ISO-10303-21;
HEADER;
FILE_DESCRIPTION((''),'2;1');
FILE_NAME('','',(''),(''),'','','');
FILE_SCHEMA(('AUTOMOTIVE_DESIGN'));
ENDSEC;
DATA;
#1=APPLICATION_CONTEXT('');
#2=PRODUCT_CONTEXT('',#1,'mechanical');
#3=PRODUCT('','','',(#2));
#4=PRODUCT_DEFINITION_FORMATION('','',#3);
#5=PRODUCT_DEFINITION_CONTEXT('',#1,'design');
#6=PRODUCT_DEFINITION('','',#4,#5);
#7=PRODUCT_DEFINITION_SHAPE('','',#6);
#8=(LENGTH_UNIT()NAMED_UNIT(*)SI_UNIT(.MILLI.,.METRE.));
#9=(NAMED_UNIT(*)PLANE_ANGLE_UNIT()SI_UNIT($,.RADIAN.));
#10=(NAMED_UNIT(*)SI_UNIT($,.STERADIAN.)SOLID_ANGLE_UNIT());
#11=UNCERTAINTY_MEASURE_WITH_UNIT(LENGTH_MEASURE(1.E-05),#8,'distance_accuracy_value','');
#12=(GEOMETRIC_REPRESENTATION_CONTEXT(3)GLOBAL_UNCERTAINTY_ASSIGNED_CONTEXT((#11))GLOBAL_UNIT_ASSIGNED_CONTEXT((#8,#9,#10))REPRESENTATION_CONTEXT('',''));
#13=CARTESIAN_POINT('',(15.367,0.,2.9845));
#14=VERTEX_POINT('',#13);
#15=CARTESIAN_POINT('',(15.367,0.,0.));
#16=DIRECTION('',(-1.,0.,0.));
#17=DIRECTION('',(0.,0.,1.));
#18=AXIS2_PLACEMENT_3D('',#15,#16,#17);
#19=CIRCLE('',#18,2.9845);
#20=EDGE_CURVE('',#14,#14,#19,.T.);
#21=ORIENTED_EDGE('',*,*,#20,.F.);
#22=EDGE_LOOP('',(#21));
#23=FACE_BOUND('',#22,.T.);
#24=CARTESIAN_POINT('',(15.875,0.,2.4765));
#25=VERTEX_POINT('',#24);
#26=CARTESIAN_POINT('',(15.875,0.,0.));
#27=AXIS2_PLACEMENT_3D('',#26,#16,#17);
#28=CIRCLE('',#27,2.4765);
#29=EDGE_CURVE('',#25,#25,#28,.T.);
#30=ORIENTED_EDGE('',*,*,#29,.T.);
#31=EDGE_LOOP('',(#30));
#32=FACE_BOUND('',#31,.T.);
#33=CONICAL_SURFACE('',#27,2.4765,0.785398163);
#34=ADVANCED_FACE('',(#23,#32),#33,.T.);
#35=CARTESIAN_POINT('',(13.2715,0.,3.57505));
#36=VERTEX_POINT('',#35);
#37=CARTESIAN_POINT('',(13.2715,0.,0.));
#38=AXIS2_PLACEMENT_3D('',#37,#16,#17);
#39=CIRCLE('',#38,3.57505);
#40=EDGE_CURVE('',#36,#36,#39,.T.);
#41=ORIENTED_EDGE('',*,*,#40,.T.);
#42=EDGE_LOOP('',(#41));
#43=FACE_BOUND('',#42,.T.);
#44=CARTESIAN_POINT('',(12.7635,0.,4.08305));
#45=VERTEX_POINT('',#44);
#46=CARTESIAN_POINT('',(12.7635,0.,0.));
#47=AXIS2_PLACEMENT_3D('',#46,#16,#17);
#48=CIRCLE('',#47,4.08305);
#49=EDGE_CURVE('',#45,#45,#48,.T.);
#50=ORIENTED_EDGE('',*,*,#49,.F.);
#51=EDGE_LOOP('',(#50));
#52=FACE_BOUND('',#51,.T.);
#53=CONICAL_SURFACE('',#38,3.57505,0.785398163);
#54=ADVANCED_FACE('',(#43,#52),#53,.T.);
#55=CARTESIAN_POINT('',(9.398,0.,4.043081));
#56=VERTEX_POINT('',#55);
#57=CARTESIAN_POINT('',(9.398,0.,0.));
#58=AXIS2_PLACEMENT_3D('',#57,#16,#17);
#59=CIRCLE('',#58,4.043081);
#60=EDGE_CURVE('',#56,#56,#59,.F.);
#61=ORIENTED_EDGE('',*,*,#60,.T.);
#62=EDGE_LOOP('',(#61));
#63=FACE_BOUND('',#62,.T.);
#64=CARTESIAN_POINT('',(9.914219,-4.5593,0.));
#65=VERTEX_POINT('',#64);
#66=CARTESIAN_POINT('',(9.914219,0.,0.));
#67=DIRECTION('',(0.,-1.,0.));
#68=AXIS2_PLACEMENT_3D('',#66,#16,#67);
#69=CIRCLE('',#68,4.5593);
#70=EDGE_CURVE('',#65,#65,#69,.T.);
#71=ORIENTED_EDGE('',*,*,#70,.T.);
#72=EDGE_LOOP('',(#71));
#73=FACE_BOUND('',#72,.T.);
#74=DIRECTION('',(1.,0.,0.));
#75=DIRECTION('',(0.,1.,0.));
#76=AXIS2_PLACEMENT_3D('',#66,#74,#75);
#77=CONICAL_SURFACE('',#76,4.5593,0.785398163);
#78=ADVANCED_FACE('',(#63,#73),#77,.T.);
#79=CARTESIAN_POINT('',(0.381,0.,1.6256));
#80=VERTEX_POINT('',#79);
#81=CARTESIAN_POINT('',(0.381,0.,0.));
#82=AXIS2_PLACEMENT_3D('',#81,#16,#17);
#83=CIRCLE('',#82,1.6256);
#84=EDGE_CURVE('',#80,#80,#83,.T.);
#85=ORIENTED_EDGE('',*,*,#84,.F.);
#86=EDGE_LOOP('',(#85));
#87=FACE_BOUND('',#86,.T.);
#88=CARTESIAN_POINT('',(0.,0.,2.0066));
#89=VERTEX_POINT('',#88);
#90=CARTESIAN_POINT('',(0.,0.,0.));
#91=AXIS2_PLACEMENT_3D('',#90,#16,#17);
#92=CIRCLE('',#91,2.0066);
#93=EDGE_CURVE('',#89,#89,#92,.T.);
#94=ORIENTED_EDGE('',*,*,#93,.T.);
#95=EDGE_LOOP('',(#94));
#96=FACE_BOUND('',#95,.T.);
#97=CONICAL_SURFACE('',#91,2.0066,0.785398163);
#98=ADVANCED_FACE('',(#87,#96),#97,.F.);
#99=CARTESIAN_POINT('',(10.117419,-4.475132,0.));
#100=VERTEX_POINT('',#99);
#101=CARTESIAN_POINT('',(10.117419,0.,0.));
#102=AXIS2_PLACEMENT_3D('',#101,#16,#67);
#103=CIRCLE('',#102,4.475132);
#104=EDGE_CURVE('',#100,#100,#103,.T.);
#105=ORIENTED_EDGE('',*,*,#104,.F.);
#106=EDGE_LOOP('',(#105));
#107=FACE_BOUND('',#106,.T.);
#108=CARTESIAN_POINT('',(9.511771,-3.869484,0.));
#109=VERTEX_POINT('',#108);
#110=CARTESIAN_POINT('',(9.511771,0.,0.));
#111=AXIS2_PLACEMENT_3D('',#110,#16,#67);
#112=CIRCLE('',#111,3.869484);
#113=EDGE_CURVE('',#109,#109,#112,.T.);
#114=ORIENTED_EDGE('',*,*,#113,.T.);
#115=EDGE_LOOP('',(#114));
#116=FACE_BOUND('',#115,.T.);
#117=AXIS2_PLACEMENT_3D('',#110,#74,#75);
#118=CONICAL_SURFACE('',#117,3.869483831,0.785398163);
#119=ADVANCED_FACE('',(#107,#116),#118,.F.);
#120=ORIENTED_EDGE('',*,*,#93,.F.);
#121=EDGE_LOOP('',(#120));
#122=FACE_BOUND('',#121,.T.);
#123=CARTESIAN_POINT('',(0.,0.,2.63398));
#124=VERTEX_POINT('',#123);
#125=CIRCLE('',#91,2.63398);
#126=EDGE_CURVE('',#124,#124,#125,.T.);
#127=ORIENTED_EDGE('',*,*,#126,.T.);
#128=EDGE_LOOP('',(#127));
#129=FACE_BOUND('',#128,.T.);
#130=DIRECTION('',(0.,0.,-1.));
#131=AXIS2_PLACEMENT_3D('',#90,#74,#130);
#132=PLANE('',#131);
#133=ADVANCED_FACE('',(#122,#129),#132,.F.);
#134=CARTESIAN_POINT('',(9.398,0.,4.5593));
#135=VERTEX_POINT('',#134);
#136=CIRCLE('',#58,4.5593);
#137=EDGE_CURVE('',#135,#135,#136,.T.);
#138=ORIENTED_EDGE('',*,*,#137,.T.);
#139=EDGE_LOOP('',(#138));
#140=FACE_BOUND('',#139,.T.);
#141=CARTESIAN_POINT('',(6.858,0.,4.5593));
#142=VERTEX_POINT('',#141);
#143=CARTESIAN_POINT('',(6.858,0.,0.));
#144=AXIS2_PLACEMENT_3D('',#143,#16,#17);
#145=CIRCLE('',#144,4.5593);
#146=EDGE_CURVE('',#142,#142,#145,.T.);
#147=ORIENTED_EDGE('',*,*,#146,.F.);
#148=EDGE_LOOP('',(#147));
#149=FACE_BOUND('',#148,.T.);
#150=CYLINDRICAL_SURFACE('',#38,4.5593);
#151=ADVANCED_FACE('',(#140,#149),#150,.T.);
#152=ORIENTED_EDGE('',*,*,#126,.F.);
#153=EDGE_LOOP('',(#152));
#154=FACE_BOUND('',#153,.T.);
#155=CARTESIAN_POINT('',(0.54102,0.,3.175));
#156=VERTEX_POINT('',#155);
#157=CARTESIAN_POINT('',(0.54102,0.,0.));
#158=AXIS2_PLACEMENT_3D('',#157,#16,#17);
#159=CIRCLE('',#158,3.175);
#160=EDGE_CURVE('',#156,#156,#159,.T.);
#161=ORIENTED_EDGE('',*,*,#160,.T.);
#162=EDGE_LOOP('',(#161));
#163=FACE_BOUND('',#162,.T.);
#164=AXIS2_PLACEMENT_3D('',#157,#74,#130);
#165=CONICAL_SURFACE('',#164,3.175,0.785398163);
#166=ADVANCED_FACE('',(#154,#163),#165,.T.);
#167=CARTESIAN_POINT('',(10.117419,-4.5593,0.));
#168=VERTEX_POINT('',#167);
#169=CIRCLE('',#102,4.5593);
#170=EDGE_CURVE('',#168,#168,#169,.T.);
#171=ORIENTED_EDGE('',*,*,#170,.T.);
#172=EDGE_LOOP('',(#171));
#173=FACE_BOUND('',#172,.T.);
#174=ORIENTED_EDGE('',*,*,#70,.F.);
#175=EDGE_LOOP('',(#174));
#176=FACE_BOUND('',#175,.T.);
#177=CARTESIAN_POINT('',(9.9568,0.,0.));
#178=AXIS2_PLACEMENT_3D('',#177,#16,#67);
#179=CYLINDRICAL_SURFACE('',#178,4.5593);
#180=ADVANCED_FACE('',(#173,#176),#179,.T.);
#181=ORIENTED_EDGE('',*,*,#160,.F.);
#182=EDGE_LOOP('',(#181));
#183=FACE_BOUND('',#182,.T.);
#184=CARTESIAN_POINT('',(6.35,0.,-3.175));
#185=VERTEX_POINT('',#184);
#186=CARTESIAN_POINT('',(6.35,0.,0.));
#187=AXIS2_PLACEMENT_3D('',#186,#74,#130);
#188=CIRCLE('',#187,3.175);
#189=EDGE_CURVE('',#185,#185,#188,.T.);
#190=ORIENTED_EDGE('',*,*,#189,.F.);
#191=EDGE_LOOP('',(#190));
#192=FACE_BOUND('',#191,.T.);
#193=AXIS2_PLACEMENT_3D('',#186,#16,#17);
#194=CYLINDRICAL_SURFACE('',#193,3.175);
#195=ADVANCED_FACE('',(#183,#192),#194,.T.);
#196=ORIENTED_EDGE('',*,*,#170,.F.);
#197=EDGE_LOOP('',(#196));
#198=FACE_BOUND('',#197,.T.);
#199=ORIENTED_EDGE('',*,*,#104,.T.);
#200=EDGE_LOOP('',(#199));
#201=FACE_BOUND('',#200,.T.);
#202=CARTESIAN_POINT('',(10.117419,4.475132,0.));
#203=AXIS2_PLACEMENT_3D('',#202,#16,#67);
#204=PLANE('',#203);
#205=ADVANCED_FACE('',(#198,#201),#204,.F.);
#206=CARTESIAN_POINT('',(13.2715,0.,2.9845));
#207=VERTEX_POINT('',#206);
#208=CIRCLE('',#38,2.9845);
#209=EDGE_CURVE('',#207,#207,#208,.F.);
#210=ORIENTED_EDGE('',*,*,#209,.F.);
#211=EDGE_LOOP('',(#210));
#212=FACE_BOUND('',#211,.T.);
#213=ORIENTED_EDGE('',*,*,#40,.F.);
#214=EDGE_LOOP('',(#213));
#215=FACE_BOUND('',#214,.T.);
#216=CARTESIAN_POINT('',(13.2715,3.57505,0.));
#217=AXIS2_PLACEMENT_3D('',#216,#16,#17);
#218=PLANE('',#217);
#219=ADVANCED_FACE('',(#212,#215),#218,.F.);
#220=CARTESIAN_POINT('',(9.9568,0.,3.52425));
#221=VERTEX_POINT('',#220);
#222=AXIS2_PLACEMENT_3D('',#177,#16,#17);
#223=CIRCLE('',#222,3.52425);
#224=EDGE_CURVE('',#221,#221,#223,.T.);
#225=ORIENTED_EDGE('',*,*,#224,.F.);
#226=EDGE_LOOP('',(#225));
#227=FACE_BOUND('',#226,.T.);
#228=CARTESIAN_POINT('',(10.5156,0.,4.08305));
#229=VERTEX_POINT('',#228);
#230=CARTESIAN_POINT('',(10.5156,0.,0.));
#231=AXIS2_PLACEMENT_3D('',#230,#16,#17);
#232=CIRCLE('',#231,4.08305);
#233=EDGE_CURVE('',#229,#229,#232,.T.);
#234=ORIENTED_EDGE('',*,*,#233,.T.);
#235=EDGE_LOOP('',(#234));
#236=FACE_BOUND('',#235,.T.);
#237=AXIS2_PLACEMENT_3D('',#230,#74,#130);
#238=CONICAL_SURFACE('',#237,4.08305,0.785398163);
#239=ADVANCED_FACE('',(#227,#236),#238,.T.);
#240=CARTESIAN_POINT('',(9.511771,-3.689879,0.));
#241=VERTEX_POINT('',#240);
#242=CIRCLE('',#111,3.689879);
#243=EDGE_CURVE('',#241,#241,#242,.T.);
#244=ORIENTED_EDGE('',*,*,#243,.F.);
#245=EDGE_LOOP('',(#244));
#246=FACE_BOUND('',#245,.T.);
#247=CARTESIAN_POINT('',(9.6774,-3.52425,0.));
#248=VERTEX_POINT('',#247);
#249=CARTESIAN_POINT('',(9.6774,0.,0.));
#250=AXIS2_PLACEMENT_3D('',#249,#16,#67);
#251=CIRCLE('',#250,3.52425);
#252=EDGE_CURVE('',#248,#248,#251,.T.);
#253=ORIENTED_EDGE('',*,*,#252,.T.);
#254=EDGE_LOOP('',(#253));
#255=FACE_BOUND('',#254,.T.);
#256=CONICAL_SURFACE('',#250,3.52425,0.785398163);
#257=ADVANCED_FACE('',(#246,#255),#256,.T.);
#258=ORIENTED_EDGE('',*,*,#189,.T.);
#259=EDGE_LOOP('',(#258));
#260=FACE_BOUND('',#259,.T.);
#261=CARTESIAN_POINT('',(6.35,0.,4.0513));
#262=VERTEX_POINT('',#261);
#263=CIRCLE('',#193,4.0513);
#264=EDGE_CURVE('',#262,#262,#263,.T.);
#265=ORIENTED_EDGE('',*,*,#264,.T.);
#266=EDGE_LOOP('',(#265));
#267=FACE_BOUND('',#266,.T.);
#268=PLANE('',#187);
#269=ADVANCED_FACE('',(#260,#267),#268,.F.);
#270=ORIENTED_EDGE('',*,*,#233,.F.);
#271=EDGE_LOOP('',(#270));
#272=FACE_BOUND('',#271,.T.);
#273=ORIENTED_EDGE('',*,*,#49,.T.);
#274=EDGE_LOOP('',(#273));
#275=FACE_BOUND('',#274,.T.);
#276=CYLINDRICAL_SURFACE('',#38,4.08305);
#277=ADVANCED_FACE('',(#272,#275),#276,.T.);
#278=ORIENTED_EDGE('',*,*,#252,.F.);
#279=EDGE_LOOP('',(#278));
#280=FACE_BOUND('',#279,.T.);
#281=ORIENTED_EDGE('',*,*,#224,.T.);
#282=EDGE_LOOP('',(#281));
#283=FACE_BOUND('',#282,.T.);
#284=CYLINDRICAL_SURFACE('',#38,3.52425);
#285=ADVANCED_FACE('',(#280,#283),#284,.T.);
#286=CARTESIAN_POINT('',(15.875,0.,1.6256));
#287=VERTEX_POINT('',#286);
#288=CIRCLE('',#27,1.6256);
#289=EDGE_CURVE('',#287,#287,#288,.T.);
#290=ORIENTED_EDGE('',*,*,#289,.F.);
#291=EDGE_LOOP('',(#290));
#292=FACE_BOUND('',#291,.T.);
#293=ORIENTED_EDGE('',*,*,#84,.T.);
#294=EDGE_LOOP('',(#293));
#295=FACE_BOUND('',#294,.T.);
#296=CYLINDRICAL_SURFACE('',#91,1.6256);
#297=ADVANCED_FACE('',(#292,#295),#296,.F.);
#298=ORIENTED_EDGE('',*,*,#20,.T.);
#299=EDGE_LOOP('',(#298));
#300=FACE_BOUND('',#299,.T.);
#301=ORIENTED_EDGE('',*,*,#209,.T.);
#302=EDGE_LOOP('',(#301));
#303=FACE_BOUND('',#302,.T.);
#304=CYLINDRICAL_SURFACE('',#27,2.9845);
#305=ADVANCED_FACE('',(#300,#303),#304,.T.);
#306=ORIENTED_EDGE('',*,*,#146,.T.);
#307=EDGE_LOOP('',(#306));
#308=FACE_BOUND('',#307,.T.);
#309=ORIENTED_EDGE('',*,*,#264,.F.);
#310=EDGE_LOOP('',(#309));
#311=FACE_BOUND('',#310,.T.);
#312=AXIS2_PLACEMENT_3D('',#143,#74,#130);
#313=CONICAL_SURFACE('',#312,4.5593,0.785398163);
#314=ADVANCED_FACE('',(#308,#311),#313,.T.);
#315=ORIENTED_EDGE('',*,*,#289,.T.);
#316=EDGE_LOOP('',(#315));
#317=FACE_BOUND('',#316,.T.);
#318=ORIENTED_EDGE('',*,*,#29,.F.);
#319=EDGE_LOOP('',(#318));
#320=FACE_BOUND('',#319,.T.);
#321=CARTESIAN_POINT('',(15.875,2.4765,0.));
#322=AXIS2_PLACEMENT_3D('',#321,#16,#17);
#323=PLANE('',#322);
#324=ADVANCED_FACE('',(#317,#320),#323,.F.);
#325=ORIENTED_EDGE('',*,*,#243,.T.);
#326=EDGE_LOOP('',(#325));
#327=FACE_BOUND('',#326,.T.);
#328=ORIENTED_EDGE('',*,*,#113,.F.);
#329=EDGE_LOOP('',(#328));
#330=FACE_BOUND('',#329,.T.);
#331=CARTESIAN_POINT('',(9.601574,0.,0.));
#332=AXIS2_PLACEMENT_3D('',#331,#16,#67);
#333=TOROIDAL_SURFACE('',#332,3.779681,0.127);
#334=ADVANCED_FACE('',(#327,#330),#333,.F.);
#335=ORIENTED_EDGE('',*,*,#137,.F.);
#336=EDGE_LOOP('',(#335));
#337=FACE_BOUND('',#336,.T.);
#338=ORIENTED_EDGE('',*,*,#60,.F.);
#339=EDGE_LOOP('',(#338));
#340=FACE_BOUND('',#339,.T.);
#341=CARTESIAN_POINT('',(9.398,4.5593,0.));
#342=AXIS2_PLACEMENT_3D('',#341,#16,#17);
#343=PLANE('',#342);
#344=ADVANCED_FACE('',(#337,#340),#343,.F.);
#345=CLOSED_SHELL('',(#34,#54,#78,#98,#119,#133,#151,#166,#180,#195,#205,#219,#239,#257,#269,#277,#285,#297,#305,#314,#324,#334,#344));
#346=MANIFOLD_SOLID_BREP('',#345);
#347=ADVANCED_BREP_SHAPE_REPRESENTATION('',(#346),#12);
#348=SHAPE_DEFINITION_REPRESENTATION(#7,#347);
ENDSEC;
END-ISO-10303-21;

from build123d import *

# Parameters (mm, degrees)
HOLE1_D           = 3.2512
HOLE1_CSINK_D     = 4.0132
HOLE1_CSINK_ANGLE = 90


with BuildPart() as part:
    # Sketch1 → Revolve1 (revolve)
    with BuildSketch(Plane.XY):
        Polygon((0, 0), (0, 2.63398), (0.54102, 3.175), (6.35, 3.175), (6.35, 0), align=None)
    revolve(axis=Axis((6.35, 0, 0), (-1, 0, 0)))

    # Sketch2 → Revolve2 (revolve)
    with BuildSketch(Plane.XY):
        Polygon((6.35, 0), (6.35, 4.0513), (6.858, 4.5593), (9.398, 4.5593), (9.398, 3.52425), (9.9568, 3.52425), (10.5156, 4.08305), (12.7635, 4.08305), (13.2715, 3.57505), (13.2715, 0), align=None)
    revolve(axis=Axis((13.2715, 0, 0), (-1, 0, 0)))

    # Sketch3 → Revolve3 (revolve)
    with BuildSketch(Plane.XY):
        Polygon((13.2715, 0), (13.2715, 2.9845), (15.367, 2.9845), (15.875, 2.4765), (15.875, 0), align=None)
    revolve(axis=Axis((15.875, 0, 0), (-1, 0, 0)))

    # Hole1 (through all)
    with Locations(Plane.ZY):
        with Locations((0, 0)):
            CounterSinkHole(HOLE1_D / 2, HOLE1_CSINK_D / 2, counter_sink_angle=HOLE1_CSINK_ANGLE)

    # Sketch6 → Revolve4 (revolve)
    with BuildSketch(Plane.XY):
        with BuildLine():
            Line((9.398, 3.27025), (9.9568, 3.27025))
            Line((9.9568, 3.27025), (9.9568, 3.52425))
            Line((9.9568, 3.52425), (9.6774, 3.52425))
            Line((9.6774, 3.52425), (9.511771292, 3.689878708))
            ThreePointArc((9.511771292, 3.689878708), (9.474573853, 3.779681269), (9.511771292, 3.869483831))
            Line((9.511771292, 3.869483831), (10.117419265, 4.475131804))
            Line((10.117419265, 4.475131804), (10.117419265, 4.5593))
            Line((10.117419265, 4.5593), (9.914219265, 4.5593))
            Line((9.914219265, 4.5593), (9.398, 4.043080735))
            Line((9.398, 4.043080735), (9.398, 3.27025))
        make_face()
    revolve(axis=Axis((9.9568, 0, 0), (-1, 0, 0)))


solid = part.part
